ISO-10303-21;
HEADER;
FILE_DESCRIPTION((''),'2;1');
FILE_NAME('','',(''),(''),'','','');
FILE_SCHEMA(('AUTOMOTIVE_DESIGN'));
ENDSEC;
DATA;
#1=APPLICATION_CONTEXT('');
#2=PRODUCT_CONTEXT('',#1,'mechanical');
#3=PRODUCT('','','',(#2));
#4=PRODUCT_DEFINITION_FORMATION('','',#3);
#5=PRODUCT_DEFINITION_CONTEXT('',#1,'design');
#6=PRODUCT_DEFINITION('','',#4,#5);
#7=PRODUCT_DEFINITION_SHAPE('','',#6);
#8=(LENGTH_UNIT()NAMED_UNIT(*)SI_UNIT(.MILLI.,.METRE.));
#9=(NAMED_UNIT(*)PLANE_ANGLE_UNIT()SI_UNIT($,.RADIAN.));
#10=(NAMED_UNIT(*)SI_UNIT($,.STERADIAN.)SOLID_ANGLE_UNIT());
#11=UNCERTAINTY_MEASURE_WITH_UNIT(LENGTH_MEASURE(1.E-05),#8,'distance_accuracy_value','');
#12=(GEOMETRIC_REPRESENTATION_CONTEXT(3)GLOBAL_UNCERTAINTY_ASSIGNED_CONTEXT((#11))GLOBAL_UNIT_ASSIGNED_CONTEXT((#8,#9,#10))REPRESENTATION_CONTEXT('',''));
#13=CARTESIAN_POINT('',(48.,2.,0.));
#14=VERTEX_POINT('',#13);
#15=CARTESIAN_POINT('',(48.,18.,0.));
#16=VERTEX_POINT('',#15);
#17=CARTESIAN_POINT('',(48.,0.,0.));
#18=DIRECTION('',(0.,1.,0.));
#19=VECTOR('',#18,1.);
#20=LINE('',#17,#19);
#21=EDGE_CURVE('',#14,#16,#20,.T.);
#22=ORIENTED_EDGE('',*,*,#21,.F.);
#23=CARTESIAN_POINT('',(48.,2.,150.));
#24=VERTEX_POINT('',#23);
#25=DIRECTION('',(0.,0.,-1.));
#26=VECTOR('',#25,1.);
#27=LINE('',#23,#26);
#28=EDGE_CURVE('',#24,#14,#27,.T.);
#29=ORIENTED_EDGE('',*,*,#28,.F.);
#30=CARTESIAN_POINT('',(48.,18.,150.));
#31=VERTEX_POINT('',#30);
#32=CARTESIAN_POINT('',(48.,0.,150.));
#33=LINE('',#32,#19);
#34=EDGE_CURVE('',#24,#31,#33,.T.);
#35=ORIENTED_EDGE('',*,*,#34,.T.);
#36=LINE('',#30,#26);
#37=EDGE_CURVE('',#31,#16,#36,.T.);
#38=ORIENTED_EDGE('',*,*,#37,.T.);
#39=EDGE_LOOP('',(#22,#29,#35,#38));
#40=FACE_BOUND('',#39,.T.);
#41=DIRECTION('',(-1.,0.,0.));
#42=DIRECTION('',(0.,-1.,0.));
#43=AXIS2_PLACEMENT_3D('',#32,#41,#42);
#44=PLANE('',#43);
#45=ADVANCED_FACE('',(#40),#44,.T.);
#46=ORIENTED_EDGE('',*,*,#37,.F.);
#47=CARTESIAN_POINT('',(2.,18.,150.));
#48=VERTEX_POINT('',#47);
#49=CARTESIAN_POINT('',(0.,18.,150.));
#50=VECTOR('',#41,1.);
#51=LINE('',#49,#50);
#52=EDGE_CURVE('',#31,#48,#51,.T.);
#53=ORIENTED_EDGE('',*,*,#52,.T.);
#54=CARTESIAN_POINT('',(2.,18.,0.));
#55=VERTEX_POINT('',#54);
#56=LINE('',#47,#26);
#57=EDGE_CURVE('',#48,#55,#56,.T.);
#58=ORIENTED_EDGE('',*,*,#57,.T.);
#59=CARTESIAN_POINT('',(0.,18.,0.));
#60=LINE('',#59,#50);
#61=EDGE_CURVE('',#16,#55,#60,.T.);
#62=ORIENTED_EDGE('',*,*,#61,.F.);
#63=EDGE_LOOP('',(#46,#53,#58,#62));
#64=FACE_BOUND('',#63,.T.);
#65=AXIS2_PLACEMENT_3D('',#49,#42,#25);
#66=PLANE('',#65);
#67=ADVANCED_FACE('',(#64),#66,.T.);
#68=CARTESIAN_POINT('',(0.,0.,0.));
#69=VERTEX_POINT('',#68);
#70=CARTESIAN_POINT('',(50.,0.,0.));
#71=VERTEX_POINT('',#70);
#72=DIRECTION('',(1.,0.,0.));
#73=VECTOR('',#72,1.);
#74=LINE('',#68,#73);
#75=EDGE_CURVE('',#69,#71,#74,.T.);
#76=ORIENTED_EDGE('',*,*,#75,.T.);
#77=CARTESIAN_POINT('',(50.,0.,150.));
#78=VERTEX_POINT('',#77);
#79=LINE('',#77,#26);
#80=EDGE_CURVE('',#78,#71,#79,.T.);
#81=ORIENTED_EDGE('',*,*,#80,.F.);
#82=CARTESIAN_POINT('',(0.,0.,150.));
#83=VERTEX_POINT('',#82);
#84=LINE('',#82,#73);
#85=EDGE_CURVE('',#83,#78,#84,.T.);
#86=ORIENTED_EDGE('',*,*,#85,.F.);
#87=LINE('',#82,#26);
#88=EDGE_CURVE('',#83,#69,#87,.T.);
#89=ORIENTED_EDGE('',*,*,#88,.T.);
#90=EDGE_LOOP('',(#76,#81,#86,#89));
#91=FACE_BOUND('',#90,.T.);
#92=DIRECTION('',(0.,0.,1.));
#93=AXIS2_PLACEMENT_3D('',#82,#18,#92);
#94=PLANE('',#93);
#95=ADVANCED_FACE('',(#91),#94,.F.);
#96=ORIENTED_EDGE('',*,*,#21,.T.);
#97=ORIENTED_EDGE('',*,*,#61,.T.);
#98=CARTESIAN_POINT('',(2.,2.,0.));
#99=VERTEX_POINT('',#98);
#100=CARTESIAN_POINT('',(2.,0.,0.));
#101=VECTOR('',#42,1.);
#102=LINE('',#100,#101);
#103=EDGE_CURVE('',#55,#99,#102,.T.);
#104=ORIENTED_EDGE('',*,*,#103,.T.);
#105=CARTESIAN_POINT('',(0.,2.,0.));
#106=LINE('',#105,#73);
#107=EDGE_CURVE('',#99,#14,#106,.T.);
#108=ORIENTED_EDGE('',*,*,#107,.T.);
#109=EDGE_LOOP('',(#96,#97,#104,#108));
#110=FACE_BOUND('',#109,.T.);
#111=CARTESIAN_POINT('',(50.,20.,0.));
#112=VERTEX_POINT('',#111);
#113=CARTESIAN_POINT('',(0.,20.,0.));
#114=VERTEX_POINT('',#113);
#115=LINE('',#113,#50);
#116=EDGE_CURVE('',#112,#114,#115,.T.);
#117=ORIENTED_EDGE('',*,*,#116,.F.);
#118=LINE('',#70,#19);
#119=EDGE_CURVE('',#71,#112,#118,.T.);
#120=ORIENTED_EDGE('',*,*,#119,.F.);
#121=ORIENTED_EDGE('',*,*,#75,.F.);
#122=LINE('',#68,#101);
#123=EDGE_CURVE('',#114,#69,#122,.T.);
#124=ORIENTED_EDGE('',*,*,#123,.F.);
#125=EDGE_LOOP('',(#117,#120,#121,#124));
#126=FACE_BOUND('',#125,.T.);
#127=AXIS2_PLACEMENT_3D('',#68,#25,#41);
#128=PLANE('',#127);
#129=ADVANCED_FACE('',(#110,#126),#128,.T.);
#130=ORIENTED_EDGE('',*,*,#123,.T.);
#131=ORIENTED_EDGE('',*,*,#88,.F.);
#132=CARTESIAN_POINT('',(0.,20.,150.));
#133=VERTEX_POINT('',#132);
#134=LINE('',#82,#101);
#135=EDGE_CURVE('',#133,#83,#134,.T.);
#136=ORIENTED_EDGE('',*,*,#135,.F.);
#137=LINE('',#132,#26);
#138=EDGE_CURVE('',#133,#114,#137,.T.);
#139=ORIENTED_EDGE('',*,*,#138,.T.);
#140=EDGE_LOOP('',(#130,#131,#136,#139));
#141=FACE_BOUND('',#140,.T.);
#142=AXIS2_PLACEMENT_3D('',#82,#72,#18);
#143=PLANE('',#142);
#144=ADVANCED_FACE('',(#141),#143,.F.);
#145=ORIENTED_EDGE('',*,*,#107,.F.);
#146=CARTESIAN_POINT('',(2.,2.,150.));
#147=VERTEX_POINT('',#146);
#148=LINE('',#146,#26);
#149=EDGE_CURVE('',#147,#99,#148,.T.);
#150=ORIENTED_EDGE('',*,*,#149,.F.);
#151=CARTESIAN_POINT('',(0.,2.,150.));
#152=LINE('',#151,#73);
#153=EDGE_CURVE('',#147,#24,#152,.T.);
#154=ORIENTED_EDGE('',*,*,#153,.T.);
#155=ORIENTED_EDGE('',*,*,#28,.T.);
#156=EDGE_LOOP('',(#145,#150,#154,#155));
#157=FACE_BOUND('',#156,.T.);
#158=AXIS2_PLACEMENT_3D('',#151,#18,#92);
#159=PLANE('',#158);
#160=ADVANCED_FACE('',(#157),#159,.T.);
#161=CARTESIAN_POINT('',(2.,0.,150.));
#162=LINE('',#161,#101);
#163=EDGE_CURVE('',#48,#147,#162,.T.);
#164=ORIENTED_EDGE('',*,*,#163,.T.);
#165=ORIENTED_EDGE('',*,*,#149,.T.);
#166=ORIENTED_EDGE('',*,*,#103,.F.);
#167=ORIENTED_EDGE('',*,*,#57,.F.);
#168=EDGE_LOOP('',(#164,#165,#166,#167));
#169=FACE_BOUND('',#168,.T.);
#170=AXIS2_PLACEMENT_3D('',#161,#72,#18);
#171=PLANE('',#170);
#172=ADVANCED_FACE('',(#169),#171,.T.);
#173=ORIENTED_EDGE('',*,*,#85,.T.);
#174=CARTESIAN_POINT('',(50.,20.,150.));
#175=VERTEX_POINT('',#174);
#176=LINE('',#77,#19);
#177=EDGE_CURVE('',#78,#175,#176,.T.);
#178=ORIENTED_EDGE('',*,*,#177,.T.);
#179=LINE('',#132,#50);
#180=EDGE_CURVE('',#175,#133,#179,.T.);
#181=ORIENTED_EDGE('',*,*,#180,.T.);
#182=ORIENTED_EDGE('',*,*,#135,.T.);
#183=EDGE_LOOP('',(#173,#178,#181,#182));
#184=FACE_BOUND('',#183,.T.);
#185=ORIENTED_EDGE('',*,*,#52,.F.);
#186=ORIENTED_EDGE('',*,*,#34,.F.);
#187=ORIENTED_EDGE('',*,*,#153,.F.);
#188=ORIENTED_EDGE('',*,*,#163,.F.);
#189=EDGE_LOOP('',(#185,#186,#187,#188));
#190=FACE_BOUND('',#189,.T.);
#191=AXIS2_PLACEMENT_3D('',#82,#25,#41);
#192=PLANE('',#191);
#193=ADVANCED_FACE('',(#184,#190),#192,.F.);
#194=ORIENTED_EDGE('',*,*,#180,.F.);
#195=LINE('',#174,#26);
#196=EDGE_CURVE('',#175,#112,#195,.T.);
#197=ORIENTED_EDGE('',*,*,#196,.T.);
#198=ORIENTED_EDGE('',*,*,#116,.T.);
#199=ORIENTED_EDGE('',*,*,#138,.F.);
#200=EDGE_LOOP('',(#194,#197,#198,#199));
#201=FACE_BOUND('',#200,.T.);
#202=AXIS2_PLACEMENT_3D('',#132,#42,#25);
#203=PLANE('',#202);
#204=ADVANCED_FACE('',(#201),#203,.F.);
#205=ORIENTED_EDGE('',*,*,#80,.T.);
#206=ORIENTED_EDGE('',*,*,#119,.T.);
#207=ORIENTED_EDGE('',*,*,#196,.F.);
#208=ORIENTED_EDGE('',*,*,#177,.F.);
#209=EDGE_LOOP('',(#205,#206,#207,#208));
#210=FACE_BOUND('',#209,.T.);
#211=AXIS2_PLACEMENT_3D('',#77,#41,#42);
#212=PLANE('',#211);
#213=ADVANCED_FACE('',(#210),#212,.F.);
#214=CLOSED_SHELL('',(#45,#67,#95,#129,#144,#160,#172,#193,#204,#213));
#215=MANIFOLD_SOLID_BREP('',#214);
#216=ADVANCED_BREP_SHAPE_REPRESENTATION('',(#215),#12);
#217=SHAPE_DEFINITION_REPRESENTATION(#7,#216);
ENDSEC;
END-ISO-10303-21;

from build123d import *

# Parameters (mm, degrees)
SKICA1_W                = 50
SKICA1_H                = 20
P_IDAT_VYSUNUT_M1_DEPTH = 150
SKO_EPINA1_T            = -2


with BuildPart() as part:
    # Skica1 → Přidat vysunutím1 (new body)
    with BuildSketch(Plane.XY):
        with Locations((25, 10)):
            Rectangle(SKICA1_W, SKICA1_H)
    extrude(amount=P_IDAT_VYSUNUT_M1_DEPTH)

    # Skořepina1
    sko_epina1_openings = [part.faces().sort_by_distance(p)[0] for p in [
        (25, 10, 150),
        (25, 10, 0),
    ]]
    offset(amount=SKO_EPINA1_T, openings=sko_epina1_openings, kind=Kind.INTERSECTION)


solid = part.part
